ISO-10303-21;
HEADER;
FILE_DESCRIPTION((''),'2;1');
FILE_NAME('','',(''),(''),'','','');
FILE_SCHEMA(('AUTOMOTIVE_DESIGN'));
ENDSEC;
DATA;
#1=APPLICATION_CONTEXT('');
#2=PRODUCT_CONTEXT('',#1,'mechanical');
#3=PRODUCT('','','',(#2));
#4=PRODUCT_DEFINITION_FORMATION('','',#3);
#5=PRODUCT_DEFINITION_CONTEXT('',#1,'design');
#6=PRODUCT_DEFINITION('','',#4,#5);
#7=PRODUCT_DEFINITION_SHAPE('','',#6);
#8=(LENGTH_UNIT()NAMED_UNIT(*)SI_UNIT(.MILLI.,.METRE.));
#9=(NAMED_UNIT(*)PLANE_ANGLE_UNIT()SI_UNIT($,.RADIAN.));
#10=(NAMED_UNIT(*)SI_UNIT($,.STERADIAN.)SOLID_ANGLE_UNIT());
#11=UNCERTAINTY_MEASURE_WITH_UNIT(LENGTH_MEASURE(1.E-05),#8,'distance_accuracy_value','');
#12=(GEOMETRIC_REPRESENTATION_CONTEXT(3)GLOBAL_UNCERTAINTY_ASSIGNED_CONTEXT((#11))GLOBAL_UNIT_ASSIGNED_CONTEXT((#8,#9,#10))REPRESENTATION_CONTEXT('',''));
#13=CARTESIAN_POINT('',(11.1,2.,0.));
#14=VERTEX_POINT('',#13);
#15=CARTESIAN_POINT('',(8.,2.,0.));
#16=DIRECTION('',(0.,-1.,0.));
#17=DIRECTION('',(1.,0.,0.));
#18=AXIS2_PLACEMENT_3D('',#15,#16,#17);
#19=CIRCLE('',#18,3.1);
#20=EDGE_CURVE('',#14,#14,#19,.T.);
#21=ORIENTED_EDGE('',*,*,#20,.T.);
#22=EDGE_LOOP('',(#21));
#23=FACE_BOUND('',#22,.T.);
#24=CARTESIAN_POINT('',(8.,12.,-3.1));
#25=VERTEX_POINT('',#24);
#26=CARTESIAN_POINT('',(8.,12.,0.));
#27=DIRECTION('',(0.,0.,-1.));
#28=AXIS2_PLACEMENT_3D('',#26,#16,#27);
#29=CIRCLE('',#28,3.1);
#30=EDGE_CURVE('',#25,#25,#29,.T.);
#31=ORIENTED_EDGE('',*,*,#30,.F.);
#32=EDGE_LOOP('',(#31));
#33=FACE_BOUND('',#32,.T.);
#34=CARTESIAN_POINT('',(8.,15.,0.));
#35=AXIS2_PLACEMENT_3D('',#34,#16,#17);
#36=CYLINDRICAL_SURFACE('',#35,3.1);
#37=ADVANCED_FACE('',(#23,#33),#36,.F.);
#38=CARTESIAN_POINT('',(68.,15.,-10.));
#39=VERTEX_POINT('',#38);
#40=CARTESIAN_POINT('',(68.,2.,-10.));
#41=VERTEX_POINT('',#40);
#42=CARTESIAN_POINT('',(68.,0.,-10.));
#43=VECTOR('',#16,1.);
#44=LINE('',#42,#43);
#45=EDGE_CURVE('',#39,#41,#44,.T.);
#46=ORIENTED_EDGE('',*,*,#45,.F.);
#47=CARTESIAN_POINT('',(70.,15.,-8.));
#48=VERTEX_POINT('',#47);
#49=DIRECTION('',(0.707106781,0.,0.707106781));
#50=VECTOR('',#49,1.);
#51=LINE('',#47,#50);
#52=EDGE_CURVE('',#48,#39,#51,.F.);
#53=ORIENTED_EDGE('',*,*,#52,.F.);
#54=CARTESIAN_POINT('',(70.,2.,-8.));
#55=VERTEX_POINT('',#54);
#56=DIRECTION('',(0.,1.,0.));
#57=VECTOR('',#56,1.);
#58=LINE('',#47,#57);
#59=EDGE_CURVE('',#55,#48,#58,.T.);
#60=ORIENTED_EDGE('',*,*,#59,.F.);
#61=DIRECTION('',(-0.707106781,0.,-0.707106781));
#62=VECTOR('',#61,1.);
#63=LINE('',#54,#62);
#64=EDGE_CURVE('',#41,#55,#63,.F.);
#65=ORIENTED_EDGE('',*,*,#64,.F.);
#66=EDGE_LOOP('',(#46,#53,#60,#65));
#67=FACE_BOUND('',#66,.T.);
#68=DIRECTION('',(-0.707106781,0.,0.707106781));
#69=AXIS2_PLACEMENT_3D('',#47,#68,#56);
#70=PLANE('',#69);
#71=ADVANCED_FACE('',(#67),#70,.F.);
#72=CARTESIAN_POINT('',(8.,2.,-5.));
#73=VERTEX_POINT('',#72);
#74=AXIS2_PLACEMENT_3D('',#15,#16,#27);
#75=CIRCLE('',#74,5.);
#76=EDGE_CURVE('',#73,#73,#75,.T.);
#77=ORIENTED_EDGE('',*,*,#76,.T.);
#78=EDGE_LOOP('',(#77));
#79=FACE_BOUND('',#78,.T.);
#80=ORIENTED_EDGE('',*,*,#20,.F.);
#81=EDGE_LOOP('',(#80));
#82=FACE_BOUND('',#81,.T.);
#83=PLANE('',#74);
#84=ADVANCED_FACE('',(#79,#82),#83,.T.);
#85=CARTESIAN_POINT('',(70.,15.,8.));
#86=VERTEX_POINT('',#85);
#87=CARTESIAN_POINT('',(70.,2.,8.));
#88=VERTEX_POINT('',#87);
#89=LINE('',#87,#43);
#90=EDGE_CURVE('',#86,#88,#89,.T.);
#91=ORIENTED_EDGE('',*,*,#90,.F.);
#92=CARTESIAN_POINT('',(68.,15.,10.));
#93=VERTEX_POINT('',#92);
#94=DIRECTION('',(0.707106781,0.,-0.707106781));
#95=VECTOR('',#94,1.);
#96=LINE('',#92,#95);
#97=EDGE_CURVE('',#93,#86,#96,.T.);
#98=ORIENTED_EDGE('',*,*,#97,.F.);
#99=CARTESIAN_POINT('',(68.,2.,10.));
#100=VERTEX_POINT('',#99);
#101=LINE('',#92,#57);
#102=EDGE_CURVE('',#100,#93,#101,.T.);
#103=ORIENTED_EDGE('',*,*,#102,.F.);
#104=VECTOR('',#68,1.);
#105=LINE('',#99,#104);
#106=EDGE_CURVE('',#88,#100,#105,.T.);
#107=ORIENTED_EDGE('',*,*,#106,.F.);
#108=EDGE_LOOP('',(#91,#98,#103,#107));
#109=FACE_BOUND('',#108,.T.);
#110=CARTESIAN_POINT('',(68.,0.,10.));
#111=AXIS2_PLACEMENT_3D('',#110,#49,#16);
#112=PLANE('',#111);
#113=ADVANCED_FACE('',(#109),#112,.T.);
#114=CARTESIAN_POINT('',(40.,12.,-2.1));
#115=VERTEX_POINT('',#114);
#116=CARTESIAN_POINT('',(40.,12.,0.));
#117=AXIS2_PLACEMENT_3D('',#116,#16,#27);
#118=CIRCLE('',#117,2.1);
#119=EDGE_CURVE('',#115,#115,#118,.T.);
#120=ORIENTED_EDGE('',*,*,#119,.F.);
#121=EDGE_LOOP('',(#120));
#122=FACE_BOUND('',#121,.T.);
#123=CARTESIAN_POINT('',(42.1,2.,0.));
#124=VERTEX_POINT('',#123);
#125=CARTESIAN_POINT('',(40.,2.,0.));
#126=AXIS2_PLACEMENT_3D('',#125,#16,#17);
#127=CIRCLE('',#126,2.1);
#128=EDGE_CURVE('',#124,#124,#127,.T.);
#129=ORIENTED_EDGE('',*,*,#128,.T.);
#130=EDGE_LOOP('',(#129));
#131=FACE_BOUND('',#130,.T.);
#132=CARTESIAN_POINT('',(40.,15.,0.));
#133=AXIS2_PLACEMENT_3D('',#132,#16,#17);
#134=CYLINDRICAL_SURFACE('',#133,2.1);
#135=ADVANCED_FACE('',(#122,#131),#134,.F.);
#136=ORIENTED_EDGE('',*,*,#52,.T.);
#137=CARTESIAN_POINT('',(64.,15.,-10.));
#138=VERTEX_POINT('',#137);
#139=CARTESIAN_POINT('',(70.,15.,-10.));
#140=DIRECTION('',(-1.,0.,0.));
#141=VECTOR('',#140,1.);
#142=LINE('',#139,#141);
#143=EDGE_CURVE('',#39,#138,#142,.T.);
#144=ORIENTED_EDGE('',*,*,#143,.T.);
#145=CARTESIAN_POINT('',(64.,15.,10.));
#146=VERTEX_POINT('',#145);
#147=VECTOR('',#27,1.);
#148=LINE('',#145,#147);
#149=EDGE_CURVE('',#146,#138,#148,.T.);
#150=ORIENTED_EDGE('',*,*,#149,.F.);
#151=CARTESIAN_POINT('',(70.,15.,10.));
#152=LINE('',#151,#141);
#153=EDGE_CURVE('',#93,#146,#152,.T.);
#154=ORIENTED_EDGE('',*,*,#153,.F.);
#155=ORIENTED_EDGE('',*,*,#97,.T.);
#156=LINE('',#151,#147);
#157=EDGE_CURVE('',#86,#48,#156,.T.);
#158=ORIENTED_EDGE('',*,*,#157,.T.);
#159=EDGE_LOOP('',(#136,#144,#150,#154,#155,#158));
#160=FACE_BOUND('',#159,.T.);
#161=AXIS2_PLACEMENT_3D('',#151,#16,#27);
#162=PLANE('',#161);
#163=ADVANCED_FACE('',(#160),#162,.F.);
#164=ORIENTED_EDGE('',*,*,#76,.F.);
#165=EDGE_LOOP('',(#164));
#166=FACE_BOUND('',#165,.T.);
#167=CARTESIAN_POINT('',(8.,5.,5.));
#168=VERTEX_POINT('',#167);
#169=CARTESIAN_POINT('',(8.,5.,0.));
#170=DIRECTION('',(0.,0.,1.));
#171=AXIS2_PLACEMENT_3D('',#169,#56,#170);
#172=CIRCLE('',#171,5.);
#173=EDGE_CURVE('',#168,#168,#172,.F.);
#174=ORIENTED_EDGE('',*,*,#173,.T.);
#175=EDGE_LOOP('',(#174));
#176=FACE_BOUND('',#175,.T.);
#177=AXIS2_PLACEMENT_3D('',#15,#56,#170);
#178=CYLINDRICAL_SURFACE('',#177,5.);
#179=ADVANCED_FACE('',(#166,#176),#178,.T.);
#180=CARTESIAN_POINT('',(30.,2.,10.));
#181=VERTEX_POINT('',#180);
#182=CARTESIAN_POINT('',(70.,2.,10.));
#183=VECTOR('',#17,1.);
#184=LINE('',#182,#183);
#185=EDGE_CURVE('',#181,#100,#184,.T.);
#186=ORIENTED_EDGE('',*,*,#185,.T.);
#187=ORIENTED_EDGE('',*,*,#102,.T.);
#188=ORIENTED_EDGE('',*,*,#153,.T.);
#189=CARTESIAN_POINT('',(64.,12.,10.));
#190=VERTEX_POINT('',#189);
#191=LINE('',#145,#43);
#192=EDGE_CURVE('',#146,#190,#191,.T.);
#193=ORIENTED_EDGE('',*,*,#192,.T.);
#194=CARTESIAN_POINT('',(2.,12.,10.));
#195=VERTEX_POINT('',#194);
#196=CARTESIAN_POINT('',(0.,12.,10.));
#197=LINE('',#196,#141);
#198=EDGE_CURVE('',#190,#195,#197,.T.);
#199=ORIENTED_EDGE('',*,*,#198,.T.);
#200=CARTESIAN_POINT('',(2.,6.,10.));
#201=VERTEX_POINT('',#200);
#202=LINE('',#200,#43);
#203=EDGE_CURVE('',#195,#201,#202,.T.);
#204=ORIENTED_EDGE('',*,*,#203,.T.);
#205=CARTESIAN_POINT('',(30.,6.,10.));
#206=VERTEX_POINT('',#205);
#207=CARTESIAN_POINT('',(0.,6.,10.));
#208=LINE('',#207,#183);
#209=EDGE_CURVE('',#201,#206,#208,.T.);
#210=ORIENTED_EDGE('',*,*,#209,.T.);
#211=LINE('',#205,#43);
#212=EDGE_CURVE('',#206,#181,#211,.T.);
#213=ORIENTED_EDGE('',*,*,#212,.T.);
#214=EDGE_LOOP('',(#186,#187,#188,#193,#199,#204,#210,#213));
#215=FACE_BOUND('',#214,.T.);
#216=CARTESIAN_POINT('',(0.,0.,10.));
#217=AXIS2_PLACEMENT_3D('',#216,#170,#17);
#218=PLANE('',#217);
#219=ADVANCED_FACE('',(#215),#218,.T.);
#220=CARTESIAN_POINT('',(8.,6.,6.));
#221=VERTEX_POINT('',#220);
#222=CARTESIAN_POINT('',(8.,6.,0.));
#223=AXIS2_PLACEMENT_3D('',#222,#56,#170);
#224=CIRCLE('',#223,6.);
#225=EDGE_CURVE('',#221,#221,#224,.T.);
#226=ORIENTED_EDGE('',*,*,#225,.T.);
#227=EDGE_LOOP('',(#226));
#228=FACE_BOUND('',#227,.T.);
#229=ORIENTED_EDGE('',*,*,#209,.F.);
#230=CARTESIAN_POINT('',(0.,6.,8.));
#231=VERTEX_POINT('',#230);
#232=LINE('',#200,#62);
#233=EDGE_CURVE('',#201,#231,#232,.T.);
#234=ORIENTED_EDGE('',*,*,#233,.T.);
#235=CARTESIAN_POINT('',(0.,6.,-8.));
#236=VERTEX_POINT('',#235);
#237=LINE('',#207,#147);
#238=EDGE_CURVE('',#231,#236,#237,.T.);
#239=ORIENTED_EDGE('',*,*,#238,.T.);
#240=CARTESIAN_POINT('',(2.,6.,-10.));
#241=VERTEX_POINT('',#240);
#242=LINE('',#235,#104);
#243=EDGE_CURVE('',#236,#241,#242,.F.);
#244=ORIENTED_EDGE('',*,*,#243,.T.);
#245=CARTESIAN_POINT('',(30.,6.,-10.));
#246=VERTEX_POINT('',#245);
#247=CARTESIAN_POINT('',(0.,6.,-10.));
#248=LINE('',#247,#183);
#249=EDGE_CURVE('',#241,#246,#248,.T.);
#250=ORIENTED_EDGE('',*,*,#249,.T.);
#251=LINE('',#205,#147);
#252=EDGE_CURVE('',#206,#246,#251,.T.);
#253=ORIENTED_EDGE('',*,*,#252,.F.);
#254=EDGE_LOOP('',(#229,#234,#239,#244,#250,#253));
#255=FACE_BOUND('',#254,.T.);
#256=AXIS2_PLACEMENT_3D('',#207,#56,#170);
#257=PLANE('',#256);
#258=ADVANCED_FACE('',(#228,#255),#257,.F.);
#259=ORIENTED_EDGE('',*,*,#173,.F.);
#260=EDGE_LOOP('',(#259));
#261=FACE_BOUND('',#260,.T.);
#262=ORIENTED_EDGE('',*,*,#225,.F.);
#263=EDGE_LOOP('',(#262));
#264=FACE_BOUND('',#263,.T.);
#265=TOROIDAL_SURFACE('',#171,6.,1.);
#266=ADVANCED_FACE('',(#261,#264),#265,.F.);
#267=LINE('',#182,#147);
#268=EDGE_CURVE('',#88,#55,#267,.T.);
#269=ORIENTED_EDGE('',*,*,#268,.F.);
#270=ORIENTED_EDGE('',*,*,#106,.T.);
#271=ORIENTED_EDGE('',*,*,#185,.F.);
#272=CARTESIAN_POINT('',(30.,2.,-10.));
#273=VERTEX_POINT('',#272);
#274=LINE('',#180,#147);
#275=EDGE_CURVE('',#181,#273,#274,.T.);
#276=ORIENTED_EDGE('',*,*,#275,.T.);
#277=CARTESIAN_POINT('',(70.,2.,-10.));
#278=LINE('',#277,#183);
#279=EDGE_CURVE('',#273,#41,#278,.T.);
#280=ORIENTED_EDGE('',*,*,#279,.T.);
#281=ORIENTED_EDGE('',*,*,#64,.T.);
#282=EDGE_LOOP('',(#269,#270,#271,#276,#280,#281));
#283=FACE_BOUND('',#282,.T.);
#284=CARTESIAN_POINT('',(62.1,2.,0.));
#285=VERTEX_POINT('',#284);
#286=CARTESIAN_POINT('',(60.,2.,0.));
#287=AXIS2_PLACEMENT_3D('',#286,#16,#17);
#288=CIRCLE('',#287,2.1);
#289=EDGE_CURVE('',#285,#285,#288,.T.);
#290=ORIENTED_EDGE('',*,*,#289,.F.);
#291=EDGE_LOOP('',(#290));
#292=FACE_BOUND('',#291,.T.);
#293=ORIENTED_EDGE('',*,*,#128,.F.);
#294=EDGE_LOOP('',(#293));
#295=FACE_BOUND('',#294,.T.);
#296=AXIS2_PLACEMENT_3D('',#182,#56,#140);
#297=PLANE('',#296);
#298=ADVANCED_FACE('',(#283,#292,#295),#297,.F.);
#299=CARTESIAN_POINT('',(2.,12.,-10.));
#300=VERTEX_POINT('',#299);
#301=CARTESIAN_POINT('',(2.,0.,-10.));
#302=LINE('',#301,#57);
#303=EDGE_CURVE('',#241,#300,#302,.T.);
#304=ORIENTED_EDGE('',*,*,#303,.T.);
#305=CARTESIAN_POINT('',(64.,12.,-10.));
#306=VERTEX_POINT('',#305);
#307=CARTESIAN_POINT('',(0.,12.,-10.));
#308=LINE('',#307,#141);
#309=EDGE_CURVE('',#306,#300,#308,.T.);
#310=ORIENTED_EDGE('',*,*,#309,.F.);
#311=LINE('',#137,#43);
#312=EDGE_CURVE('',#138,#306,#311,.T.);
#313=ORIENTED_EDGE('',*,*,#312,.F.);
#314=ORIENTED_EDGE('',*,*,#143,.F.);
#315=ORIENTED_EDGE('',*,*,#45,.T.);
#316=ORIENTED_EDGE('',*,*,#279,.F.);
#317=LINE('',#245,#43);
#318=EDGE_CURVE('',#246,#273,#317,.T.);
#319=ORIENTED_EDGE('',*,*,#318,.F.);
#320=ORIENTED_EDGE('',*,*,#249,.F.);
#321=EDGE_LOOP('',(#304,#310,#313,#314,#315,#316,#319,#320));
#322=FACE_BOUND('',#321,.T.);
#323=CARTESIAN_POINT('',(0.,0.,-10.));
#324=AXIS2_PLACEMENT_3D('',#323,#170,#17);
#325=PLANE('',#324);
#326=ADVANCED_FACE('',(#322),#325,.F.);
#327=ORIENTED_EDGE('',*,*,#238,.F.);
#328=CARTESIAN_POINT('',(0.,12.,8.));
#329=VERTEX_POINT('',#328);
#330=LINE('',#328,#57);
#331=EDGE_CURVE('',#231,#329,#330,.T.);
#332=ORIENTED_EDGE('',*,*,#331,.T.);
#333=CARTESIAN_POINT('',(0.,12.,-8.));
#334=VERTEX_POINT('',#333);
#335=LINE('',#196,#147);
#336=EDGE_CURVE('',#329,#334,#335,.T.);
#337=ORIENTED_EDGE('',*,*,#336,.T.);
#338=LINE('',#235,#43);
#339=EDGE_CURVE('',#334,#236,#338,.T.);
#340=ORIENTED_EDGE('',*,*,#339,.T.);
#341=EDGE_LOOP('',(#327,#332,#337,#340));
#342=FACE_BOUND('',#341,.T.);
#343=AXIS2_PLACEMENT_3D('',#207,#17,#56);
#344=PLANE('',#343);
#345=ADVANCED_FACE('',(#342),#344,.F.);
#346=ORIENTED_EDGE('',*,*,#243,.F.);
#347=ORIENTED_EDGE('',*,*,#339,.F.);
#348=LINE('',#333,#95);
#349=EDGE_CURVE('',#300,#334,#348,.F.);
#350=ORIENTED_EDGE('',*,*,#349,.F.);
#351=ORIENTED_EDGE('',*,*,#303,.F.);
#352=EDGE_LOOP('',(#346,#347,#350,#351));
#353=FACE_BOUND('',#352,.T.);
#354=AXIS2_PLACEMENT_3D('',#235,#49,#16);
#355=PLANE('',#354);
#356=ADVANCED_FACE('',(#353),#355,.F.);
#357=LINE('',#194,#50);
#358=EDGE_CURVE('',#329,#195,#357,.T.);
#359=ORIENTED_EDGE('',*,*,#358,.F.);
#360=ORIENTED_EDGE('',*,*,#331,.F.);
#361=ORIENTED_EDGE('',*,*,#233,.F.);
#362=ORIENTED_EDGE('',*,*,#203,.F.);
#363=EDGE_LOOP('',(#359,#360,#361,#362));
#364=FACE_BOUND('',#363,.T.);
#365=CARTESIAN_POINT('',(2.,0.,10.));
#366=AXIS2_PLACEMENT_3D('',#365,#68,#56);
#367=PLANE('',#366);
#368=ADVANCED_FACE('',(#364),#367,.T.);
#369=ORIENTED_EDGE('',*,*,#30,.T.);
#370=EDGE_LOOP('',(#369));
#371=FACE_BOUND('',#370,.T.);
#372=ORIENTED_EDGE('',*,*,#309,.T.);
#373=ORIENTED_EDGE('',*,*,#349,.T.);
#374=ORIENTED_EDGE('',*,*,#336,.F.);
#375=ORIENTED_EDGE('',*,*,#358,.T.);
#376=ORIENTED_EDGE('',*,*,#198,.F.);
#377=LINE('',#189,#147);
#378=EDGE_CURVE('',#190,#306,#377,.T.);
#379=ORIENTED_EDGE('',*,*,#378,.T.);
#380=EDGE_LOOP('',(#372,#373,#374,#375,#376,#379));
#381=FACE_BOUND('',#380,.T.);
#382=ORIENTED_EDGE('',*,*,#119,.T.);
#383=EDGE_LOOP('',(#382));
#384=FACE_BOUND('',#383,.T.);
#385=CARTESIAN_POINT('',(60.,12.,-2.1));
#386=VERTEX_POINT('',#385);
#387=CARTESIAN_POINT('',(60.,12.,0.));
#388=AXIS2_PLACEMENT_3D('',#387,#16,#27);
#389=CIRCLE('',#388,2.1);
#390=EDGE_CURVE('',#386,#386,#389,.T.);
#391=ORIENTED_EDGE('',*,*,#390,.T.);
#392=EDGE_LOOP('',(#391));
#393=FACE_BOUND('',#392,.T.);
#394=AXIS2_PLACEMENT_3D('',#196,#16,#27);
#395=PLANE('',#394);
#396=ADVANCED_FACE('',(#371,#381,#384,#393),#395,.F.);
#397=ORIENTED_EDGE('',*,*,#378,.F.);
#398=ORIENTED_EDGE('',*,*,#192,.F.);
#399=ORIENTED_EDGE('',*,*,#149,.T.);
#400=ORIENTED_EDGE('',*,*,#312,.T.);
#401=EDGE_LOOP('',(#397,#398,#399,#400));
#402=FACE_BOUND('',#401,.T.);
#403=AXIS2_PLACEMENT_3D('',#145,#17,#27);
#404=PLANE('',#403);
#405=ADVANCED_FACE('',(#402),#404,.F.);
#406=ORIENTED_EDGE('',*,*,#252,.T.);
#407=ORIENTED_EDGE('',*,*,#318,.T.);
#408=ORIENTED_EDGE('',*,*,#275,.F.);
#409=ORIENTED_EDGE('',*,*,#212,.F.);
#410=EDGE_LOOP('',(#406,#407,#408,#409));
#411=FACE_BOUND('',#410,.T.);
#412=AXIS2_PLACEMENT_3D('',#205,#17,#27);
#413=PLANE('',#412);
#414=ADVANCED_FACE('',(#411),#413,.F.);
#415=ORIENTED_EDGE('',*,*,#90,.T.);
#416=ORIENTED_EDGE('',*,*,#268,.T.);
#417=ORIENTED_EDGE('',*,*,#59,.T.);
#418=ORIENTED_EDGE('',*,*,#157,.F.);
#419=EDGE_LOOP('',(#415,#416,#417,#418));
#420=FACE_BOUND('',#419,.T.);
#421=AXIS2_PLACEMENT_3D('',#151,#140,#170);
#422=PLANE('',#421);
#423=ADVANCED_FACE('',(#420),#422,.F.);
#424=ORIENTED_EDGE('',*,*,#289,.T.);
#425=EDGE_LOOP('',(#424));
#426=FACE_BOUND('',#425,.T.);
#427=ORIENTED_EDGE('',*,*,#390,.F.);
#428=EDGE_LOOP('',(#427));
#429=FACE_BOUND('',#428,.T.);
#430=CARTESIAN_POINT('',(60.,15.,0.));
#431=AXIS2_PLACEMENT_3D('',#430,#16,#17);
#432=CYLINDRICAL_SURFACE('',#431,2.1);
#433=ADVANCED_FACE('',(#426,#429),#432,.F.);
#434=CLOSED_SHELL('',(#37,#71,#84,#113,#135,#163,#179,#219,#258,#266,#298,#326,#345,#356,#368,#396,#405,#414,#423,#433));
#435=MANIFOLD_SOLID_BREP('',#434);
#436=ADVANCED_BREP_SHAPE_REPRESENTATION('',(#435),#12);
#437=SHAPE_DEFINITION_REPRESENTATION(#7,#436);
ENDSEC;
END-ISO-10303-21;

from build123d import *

# Parameters (mm, degrees)
EXTRUDE_1_DEPTH     = 10
SKETCH_3_R          = 5
EXTRUDE_2_DEPTH     = 4
CHAMFER_1_SIZE      = 2
CHAMFER_2_SIZE      = 2
SKETCH_4_R          = 2.1
SKETCH_4_R_2        = 3.1
CUT_EXTRUDE_1_DEPTH = 72.895757872
FILLET_1_R          = 1


with BuildPart() as part:
    # 草图1 → 凸台-拉伸1 (new, symmetric)
    with BuildSketch(Plane.XY):
        Polygon((0, 6), (0, 12), (64, 12), (64, 15), (70, 15), (70, 12), (70, 2), (30, 2), (30, 6), align=None)
    extrude(amount=EXTRUDE_1_DEPTH, both=True)

    # 草图3 → 凸台-拉伸2 (add)
    with BuildSketch(Plane.XZ.offset(-6)):
        with Locations(Location((8, 0, 0), (0, 0, 90))):
            Circle(SKETCH_3_R)
    extrude(amount=EXTRUDE_2_DEPTH)

    # 倒角1
    chamfer_1_edges = [part.edges().sort_by_distance(p)[0] for p in [
        (0, 9, -10),
        (0, 9, 10),
    ]]
    chamfer(chamfer_1_edges, length=CHAMFER_1_SIZE)

    # 倒角2
    chamfer_2_edges = [part.edges().sort_by_distance(p)[0] for p in [
        (70, 8.5, 10),
        (70, 8.5, -10),
    ]]
    chamfer(chamfer_2_edges, length=CHAMFER_2_SIZE)

    # 草图4 → 切除-拉伸1 (cut, through all)
    with BuildSketch(Plane.XZ.offset(-2)):
        with Locations((40, 0)):
            Circle(SKETCH_4_R)
        with Locations((60, 0)):
            Circle(SKETCH_4_R)
        with Locations((8, 0)):
            Circle(SKETCH_4_R_2)
    extrude(amount=-CUT_EXTRUDE_1_DEPTH, mode=Mode.SUBTRACT)

    # 圆角1
    fillet_1_edges = [part.edges().sort_by_distance(p)[0] for p in [
        (8, 6, -5),
    ]]
    fillet(fillet_1_edges, radius=FILLET_1_R)


solid = part.part
